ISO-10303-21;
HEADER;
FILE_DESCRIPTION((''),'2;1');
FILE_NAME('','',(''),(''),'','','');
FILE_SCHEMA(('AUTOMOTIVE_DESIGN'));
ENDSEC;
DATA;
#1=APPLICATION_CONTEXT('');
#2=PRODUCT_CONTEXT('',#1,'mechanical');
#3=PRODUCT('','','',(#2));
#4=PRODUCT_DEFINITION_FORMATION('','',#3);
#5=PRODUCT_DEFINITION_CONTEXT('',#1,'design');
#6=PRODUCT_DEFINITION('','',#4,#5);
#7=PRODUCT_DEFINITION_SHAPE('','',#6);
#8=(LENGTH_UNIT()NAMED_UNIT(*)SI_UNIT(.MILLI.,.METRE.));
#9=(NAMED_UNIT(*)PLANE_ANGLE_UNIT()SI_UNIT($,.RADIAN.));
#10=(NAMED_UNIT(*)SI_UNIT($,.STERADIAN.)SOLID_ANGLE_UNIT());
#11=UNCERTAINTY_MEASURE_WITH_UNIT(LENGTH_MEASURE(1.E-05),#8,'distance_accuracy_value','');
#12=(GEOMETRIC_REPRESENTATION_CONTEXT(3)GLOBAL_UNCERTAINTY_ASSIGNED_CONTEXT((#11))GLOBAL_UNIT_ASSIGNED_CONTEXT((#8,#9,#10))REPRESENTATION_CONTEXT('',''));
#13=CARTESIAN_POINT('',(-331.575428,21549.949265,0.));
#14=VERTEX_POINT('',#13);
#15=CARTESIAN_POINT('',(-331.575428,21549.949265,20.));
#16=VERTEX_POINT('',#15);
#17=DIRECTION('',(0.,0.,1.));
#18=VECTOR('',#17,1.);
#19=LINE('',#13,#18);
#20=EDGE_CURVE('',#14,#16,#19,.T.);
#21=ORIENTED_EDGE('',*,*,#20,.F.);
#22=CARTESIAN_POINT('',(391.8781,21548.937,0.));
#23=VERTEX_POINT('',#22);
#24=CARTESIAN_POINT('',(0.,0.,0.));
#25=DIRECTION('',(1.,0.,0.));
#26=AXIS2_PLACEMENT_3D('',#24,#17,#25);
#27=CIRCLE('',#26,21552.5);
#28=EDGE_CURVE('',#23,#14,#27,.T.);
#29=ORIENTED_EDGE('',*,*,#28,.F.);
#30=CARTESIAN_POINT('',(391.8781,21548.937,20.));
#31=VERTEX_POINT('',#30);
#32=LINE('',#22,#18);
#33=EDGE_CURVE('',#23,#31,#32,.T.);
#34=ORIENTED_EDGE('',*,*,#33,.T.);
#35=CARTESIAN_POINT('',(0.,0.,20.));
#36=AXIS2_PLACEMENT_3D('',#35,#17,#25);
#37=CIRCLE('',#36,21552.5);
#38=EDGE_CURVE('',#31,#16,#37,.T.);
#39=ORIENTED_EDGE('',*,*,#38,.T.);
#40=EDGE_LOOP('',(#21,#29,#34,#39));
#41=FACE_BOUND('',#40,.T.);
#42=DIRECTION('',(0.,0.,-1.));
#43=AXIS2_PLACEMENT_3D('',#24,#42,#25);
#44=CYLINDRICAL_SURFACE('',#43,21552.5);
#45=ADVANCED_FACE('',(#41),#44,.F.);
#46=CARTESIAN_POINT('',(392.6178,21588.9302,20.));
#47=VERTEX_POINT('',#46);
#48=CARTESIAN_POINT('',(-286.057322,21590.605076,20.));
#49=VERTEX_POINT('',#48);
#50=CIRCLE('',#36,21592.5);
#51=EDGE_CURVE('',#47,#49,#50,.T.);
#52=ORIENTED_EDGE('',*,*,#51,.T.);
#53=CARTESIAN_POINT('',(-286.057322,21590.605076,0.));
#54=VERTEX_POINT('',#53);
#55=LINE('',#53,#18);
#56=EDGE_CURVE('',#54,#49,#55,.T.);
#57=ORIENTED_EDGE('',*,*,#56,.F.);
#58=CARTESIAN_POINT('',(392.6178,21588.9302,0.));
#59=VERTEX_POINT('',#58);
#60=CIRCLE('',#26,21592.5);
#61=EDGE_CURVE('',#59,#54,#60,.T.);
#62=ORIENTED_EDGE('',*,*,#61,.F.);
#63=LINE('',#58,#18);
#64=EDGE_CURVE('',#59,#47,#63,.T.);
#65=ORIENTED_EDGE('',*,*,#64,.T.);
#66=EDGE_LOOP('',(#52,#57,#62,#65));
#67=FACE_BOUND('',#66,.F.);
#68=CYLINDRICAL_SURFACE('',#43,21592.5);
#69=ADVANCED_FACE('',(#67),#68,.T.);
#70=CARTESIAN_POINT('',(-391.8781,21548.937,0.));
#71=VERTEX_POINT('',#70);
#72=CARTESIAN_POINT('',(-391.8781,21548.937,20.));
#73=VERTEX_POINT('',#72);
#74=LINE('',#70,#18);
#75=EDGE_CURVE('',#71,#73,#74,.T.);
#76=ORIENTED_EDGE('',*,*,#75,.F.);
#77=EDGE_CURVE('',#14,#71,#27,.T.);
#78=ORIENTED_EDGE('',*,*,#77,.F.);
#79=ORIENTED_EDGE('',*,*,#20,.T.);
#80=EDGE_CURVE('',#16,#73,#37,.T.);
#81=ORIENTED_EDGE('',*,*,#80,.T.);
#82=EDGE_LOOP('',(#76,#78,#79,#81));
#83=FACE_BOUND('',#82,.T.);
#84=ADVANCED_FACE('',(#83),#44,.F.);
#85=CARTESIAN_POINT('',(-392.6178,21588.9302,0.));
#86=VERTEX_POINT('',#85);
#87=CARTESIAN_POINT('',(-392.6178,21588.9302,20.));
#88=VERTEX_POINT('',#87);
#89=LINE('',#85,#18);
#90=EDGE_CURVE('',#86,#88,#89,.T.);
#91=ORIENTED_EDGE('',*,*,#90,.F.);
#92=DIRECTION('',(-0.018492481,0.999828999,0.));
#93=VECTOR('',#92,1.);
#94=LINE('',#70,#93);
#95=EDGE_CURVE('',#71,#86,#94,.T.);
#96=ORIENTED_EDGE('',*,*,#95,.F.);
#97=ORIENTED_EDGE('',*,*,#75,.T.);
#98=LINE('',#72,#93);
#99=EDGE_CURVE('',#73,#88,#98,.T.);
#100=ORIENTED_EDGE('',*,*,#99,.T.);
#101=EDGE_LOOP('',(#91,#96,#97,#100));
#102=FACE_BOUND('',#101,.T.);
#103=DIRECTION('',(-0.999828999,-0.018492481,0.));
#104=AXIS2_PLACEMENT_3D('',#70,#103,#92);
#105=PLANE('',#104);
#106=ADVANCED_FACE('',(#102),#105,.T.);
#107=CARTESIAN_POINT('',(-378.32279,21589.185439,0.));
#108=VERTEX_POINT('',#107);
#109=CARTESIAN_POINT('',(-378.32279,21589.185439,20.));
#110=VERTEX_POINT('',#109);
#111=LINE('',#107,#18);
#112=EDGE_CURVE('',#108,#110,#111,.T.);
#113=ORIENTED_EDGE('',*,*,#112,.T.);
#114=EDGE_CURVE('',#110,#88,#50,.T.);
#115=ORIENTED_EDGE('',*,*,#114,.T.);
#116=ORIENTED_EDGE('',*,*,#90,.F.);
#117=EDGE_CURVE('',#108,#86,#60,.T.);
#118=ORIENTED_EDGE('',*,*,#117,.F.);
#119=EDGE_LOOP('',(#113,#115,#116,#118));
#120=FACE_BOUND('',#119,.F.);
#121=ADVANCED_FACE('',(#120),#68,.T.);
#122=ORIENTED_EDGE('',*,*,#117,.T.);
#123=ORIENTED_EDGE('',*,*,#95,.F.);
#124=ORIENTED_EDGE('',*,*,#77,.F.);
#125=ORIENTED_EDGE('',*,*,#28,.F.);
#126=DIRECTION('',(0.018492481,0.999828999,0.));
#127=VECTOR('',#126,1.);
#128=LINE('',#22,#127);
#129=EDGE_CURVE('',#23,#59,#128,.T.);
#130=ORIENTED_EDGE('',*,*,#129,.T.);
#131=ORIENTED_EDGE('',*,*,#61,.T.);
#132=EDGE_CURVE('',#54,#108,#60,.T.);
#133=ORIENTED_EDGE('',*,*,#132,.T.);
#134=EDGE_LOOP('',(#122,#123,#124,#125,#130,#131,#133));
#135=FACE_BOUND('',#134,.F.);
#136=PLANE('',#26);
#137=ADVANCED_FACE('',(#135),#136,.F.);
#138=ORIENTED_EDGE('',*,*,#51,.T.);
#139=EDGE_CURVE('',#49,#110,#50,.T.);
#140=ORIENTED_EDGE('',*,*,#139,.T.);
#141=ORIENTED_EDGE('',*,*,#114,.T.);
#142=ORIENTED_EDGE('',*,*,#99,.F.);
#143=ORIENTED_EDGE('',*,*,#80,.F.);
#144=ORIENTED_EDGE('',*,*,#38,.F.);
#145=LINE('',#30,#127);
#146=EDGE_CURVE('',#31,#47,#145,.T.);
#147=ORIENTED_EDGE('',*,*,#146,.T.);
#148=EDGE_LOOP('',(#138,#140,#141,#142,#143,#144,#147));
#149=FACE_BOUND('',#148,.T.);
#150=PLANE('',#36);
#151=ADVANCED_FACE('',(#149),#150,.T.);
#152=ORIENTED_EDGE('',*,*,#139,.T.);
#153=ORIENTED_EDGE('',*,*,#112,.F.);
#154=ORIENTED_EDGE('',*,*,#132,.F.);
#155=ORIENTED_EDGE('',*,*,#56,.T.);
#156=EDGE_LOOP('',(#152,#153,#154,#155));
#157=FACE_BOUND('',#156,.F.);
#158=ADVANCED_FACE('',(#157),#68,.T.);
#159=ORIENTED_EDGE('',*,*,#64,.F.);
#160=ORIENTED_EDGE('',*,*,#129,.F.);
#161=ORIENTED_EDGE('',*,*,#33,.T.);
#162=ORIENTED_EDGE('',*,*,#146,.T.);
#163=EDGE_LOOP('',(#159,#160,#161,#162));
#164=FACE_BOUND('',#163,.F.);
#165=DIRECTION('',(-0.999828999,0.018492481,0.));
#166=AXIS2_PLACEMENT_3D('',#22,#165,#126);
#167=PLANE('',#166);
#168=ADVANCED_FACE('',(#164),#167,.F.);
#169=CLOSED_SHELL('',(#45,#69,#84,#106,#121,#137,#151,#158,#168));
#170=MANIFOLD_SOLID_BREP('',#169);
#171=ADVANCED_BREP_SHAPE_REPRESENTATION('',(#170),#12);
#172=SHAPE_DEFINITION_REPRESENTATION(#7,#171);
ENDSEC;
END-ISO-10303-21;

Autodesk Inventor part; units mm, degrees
ref_plane "YZ Plane" through (0, 0, 0) normal (1, 0, 0) x (0, 1, 0)
ref_plane "XZ Plane" through (0, 0, 0) normal (0, 1, 0) x (-1, 0, 0)
ref_plane "XY Plane" through (0, 0, 0) normal (0, 0, 1) x (1, 0, 0)
sketch "Sketch1" plane through (0, 0, 0) normal (0, 0, 1) x (1, 0, 0)
  line L0 (-327.5, 21447.5) -> (327.5, 21447.5)
  line L1 (327.5, 21447.5) -> (327.5, 21287.5)
  line L2 (327.5, 21287.5) -> (-327.5, 21287.5)
  line L3 (-327.5, 21287.5) -> (-327.5, 21447.5)
  circle A0 centre (0, 0) radius 21452.5
  line L4 (-327.5, 21447.5) -> (-327.5, 21450)
  line L5 (327.5, 21447.5) -> (327.5, 21450)
  circle A1 centre (0, 0) radius 21552.5
  circle A2 centre (0, 0) radius 21592.5
  line L6 (0, 0) -> (-390.0286, 21448.9541)
  line L7 (0, 0) -> (390.0286, 21448.9541)
  circle A3 centre (-331.1139, 21519.9528) radius 30
  circle A4 centre (-286.1898, 21600.6042) radius 10
  circle A5 centre (-378.498, 21599.1839) radius 10
  line L8 (-378.498, 21599.1839) -> (-331.1139, 21519.9528) construction
  line L9 (-331.1139, 21519.9528) -> (-286.1898, 21600.6042) construction
  line L10 (-378.498, 21599.1839) -> (-286.1898, 21600.6042) construction
  line L11 (-331.1139, 21519.9528) -> (-330.037, 21449.9611) construction
  line L12 (-391.8781, 21548.937) -> (-392.6178, 21588.9302)
  line L13 (-390.0286, 21448.9541) -> (-391.8781, 21548.937) construction
  line L14 (390.0286, 21448.9541) -> (391.8781, 21548.937) construction
  line L15 (391.8781, 21548.937) -> (392.6178, 21588.9302)
  ellipse E0 centre (0, 21447.5) end of major axis (327.5, 21447.5) minor radius 5
  dimension "d0" = 655
  dimension "d1" = 160
  dimension "d2" = 42905
  dimension "d3" = 2.5
  dimension "d4" = 40
  dimension "d5" = 100
  dimension "d7" = 1.042
  dimension "d8" = 20
  dimension "d9" = 60
  dimension "d13" = 60
  dimension "d14" = 1.042
extrude "Extrusion1" add sketch "Sketch1" along normal blind 20 contours A1 L12 A2 L15 picked at (-256.116, 21564.1758)
equation "\"d7\" = d14"
properties part number "Sketch curvatura"
